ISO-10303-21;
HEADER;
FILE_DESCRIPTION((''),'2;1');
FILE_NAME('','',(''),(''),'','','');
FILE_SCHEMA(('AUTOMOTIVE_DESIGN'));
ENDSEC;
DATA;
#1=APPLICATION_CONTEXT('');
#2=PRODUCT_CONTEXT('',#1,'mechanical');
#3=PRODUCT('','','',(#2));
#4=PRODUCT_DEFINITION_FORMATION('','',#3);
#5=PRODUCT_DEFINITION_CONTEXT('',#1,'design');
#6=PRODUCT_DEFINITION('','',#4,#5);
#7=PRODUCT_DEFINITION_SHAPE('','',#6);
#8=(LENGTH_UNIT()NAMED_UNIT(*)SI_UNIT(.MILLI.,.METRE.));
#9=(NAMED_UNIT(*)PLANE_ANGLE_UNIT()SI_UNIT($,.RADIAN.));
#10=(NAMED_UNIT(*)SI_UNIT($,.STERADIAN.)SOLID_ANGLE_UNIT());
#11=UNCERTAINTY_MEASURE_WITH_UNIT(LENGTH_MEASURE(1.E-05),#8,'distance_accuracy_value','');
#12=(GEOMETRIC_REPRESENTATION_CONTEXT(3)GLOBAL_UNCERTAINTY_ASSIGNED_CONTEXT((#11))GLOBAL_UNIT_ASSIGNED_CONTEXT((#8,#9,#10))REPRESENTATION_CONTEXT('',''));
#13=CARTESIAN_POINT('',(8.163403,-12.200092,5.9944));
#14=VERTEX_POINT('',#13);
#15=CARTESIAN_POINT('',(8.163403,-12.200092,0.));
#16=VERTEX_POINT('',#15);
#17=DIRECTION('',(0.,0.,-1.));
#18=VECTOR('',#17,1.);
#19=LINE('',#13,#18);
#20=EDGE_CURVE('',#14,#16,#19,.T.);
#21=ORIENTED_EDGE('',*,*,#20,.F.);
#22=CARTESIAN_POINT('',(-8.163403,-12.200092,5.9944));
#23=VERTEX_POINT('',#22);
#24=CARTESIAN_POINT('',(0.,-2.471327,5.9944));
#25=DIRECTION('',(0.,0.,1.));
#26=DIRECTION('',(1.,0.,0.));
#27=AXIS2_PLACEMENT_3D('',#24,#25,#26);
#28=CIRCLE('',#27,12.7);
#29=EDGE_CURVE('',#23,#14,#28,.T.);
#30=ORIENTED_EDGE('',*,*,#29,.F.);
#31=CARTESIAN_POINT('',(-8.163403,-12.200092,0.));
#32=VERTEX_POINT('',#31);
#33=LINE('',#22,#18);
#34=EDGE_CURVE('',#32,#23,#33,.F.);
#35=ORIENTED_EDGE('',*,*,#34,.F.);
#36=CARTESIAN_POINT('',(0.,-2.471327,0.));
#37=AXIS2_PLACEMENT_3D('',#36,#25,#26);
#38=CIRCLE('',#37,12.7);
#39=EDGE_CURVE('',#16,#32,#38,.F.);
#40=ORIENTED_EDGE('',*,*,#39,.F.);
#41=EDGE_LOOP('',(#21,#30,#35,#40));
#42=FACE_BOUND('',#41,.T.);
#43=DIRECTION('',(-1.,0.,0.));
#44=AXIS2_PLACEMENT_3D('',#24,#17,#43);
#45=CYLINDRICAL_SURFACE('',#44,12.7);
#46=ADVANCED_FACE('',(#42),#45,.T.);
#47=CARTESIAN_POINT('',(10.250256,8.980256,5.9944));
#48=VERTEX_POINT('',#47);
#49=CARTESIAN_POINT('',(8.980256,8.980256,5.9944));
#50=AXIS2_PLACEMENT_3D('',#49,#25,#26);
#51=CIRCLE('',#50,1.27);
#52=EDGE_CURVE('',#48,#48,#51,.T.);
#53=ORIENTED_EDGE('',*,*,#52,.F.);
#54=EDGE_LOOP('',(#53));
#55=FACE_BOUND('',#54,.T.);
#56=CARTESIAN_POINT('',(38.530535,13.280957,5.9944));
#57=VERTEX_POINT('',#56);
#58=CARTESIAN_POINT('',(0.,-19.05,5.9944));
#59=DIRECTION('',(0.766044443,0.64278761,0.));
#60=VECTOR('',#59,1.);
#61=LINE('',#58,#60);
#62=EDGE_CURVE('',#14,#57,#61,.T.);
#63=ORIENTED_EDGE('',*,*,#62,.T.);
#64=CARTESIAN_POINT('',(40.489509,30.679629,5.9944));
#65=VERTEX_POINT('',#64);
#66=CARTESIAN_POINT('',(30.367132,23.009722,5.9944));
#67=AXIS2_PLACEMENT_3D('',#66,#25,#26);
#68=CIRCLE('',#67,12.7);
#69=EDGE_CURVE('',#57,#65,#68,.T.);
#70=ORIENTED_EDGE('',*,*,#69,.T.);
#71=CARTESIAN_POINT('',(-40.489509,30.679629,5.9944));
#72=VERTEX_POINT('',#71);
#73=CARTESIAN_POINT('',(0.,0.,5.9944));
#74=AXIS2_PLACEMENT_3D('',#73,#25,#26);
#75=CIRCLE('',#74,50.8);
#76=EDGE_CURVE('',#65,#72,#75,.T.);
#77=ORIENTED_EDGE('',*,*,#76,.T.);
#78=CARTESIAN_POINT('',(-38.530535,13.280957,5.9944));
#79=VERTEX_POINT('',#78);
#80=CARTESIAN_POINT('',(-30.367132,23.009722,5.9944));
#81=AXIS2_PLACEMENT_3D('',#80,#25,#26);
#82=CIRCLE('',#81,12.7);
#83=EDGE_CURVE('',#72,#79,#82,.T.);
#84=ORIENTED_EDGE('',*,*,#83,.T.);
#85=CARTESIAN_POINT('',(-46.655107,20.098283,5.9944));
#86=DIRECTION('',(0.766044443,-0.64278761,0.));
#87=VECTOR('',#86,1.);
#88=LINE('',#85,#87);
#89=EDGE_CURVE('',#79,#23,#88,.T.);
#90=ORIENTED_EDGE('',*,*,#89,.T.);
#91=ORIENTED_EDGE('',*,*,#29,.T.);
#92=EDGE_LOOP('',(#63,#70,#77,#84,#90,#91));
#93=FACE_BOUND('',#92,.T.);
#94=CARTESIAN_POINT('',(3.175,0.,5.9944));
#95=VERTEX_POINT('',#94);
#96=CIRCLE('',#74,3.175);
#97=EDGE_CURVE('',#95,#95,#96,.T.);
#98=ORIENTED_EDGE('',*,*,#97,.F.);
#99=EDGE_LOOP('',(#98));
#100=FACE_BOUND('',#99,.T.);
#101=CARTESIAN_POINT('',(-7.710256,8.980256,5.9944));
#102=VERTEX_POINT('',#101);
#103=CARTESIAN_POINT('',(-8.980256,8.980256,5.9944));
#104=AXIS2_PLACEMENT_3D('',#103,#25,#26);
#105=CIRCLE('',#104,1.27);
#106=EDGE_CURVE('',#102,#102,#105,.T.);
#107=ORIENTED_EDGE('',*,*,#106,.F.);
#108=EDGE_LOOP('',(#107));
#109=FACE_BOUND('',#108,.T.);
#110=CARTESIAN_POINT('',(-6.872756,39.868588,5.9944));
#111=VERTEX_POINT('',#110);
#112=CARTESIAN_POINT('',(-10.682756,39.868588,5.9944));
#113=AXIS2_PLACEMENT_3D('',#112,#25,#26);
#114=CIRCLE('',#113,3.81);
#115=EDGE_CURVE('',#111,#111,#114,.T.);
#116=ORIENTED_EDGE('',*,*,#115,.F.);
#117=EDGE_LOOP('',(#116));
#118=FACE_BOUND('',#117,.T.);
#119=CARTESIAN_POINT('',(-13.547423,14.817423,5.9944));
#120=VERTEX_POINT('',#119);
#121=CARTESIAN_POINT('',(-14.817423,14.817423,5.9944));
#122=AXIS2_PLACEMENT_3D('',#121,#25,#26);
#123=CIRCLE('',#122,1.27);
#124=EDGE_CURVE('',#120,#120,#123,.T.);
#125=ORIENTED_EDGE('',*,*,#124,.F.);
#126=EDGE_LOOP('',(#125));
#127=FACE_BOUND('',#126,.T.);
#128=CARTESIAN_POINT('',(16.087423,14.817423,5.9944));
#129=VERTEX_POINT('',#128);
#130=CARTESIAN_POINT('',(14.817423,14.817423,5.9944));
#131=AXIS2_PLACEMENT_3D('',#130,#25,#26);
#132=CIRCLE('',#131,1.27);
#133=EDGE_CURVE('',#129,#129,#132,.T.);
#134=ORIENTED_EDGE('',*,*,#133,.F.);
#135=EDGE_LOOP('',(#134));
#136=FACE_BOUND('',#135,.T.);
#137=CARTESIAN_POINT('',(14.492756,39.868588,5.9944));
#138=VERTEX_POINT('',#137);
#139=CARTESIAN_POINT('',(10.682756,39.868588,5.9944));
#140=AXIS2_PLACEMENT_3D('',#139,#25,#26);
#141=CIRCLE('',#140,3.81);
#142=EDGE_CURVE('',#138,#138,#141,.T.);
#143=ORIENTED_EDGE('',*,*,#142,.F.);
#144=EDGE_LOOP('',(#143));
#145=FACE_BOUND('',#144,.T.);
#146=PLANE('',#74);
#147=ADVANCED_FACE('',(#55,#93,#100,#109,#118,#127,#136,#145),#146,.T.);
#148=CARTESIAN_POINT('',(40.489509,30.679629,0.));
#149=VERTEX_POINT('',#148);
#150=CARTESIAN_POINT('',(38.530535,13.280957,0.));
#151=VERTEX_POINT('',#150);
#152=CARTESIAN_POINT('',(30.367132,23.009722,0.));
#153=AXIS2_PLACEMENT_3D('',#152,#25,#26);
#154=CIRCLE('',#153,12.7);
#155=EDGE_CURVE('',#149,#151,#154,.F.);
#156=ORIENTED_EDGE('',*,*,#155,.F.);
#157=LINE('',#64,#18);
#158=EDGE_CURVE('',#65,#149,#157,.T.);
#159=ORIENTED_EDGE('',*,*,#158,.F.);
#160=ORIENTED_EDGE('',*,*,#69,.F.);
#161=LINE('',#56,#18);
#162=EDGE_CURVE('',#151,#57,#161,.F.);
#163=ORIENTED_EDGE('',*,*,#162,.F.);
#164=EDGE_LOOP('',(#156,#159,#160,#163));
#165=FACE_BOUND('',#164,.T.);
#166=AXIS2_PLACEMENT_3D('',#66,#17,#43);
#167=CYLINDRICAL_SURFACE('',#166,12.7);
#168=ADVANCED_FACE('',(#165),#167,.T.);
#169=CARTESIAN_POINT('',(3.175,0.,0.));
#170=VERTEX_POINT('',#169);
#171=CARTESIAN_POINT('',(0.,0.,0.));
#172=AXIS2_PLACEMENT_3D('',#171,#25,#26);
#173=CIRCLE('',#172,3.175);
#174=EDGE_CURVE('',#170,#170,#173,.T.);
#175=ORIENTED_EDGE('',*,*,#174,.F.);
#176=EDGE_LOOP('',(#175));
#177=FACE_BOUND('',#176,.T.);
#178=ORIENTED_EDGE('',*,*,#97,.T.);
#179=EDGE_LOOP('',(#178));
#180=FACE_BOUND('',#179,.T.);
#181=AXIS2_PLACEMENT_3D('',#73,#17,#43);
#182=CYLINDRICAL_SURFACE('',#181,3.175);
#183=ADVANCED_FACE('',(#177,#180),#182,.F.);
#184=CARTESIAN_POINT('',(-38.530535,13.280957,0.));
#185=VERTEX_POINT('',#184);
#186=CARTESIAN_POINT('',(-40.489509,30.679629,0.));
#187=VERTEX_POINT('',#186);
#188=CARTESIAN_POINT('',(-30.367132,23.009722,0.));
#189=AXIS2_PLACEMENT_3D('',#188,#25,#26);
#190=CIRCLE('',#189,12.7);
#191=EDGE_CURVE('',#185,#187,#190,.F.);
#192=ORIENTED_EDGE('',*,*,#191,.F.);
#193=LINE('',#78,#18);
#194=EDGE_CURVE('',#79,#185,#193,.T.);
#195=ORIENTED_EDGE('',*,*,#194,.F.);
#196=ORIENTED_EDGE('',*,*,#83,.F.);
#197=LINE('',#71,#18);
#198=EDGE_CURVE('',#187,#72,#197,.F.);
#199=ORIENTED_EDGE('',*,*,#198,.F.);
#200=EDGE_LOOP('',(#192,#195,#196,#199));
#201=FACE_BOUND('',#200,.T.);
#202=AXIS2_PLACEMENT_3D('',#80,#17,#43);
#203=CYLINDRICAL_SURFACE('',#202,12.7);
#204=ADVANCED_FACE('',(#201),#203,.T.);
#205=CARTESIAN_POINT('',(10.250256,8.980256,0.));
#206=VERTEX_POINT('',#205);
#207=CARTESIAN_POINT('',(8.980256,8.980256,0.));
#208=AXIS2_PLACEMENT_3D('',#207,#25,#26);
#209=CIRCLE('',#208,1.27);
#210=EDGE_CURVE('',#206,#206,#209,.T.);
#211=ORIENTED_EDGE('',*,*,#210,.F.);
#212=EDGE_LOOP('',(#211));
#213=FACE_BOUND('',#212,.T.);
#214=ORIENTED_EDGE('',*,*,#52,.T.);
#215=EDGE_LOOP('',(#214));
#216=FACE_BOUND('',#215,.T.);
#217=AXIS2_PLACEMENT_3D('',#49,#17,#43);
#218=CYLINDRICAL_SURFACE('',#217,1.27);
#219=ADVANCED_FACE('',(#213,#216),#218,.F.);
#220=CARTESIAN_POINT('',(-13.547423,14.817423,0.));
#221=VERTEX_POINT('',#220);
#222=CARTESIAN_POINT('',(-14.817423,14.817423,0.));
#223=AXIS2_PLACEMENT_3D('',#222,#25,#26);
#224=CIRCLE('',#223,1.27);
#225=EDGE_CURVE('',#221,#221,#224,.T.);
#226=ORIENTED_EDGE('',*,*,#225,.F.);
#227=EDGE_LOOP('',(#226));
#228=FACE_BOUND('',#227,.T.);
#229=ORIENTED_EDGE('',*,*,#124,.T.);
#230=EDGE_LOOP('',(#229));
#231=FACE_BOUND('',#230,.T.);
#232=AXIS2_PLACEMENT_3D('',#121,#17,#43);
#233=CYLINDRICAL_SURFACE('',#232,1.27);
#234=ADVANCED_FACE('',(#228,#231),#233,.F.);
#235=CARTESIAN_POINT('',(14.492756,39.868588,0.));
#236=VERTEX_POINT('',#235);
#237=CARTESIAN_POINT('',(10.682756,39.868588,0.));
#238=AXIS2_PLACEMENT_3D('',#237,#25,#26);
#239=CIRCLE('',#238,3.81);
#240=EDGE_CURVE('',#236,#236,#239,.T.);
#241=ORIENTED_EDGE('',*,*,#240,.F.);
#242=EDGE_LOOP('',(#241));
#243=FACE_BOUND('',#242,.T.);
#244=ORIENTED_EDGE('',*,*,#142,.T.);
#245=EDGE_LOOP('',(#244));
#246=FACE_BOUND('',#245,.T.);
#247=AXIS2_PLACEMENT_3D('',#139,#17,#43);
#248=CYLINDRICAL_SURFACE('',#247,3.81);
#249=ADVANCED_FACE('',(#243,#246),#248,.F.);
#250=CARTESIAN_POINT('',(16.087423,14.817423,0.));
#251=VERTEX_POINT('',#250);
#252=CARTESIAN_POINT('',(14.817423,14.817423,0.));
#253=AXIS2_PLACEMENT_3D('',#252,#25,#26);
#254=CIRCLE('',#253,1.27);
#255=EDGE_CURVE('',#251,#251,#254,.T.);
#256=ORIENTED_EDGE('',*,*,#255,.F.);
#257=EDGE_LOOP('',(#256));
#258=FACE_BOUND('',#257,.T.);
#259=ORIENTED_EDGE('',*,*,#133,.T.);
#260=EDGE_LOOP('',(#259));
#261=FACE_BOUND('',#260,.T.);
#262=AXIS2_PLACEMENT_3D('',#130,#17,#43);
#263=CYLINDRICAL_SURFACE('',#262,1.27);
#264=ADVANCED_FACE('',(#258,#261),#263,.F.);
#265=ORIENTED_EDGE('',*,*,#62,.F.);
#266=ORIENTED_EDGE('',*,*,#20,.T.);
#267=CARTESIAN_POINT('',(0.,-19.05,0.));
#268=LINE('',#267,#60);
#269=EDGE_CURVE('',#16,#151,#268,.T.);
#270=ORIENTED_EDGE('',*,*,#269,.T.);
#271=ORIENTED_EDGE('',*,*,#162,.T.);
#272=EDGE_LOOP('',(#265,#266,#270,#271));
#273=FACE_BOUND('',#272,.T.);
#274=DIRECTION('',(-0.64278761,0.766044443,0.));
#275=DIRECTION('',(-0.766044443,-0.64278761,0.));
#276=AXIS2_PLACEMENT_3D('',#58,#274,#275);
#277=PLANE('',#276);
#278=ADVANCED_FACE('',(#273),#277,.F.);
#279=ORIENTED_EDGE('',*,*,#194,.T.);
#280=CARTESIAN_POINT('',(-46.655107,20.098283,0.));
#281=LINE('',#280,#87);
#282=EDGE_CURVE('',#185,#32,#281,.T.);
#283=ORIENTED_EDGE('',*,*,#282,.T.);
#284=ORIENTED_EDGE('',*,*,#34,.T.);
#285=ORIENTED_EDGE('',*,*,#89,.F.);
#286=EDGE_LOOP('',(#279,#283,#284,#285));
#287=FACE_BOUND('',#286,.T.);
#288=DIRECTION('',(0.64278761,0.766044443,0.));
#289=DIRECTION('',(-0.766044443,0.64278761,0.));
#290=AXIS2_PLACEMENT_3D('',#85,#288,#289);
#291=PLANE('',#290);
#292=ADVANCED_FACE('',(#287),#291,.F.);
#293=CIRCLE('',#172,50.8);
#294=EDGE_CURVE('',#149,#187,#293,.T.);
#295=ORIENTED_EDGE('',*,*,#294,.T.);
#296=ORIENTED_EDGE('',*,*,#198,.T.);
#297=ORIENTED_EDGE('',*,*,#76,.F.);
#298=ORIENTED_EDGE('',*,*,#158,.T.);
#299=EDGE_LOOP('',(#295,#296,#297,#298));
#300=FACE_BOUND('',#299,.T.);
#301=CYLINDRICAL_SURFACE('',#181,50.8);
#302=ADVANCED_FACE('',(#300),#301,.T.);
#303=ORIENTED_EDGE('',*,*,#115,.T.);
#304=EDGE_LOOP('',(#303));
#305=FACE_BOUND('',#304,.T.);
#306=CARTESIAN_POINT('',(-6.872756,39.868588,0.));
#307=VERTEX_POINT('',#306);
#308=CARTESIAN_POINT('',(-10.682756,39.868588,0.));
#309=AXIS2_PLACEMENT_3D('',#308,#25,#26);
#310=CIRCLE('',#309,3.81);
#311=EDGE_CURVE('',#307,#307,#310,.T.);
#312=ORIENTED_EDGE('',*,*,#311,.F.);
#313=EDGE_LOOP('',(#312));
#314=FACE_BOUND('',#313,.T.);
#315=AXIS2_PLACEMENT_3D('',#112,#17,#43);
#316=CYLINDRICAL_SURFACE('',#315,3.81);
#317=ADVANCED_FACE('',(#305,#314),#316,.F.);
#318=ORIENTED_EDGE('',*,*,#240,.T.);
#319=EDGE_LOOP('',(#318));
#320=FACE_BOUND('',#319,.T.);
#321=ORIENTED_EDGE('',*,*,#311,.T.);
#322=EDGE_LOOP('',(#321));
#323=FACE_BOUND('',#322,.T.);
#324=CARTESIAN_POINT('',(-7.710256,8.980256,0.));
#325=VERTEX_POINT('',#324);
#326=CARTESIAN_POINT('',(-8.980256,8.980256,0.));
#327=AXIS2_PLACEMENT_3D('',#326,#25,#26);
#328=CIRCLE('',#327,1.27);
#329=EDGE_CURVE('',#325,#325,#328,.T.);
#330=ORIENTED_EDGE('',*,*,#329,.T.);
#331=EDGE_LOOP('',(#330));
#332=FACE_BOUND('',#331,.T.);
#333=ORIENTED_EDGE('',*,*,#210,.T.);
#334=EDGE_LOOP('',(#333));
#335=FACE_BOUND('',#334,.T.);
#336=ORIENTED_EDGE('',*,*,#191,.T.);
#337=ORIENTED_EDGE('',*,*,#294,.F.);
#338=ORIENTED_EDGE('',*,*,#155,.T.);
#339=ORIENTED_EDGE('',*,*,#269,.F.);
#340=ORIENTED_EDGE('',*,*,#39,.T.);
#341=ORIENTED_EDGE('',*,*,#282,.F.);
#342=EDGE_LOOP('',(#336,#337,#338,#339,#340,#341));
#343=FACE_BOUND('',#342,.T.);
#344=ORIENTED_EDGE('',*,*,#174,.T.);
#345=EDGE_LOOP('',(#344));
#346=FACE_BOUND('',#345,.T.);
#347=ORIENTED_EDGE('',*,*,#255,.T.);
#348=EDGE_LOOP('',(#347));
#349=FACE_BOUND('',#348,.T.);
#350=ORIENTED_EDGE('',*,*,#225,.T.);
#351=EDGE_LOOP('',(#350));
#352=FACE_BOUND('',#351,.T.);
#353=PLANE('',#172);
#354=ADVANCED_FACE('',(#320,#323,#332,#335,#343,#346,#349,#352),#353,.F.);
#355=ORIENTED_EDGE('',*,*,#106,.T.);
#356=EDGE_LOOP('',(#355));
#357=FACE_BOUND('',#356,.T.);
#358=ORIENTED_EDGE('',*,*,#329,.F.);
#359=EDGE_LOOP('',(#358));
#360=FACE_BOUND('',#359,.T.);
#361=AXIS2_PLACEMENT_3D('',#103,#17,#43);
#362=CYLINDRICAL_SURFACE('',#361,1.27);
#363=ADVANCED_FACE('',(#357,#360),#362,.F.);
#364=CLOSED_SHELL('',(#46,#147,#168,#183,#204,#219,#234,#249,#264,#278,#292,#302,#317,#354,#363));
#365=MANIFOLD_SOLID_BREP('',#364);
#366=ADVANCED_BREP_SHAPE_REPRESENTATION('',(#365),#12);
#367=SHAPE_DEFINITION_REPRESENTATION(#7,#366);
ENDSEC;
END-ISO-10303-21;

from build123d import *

# Parameters (mm, degrees)
SKETCH1_R           = 3.81
SKETCH1_R_2         = 1.27
SKETCH1_R_3         = 3.175
BOSS_EXTRUDE1_DEPTH = 5.9944
FILLET1_R           = 12.7
FILLET2_R           = 12.7


with BuildPart() as part:
    # Sketch1 → Boss-Extrude1 (new body)
    with BuildSketch(Plane.XY):
        with BuildLine():
            Line((-46.655107065, 20.09828313), (0, -19.05))
            Line((0, -19.05), (46.655107065, 20.09828313))
            ThreePointArc((46.655107065, 20.09828313), (0, 50.8), (-46.655107065, 20.09828313))
        make_face()
        with Locations((-10.682756087, 39.86858848)):
            Circle(SKETCH1_R, mode=Mode.SUBTRACT)
        with Locations((10.682756087, 39.86858848)):
            Circle(SKETCH1_R, mode=Mode.SUBTRACT)
        with Locations((-14.8174226, 14.8174226)):
            Circle(SKETCH1_R_2, mode=Mode.SUBTRACT)
        with Locations((-8.980256121, 8.980256121)):
            Circle(SKETCH1_R_2, mode=Mode.SUBTRACT)
        with Locations((8.980256121, 8.980256121)):
            Circle(SKETCH1_R_2, mode=Mode.SUBTRACT)
        with Locations((14.8174226, 14.8174226)):
            Circle(SKETCH1_R_2, mode=Mode.SUBTRACT)
        Circle(SKETCH1_R_3, mode=Mode.SUBTRACT)
    extrude(amount=BOSS_EXTRUDE1_DEPTH)

    # Fillet1
    fillet1_edges = [part.edges().sort_by_distance(p)[0] for p in [
        (46.655107065, 20.09828313, 2.9972),
        (-46.655107065, 20.09828313, 2.9972),
    ]]
    fillet(fillet1_edges, radius=FILLET1_R)

    # Fillet2
    fillet2_edges = [part.edges().sort_by_distance(p)[0] for p in [
        (0, -19.05, 2.9972),
    ]]
    fillet(fillet2_edges, radius=FILLET2_R)


solid = part.part
